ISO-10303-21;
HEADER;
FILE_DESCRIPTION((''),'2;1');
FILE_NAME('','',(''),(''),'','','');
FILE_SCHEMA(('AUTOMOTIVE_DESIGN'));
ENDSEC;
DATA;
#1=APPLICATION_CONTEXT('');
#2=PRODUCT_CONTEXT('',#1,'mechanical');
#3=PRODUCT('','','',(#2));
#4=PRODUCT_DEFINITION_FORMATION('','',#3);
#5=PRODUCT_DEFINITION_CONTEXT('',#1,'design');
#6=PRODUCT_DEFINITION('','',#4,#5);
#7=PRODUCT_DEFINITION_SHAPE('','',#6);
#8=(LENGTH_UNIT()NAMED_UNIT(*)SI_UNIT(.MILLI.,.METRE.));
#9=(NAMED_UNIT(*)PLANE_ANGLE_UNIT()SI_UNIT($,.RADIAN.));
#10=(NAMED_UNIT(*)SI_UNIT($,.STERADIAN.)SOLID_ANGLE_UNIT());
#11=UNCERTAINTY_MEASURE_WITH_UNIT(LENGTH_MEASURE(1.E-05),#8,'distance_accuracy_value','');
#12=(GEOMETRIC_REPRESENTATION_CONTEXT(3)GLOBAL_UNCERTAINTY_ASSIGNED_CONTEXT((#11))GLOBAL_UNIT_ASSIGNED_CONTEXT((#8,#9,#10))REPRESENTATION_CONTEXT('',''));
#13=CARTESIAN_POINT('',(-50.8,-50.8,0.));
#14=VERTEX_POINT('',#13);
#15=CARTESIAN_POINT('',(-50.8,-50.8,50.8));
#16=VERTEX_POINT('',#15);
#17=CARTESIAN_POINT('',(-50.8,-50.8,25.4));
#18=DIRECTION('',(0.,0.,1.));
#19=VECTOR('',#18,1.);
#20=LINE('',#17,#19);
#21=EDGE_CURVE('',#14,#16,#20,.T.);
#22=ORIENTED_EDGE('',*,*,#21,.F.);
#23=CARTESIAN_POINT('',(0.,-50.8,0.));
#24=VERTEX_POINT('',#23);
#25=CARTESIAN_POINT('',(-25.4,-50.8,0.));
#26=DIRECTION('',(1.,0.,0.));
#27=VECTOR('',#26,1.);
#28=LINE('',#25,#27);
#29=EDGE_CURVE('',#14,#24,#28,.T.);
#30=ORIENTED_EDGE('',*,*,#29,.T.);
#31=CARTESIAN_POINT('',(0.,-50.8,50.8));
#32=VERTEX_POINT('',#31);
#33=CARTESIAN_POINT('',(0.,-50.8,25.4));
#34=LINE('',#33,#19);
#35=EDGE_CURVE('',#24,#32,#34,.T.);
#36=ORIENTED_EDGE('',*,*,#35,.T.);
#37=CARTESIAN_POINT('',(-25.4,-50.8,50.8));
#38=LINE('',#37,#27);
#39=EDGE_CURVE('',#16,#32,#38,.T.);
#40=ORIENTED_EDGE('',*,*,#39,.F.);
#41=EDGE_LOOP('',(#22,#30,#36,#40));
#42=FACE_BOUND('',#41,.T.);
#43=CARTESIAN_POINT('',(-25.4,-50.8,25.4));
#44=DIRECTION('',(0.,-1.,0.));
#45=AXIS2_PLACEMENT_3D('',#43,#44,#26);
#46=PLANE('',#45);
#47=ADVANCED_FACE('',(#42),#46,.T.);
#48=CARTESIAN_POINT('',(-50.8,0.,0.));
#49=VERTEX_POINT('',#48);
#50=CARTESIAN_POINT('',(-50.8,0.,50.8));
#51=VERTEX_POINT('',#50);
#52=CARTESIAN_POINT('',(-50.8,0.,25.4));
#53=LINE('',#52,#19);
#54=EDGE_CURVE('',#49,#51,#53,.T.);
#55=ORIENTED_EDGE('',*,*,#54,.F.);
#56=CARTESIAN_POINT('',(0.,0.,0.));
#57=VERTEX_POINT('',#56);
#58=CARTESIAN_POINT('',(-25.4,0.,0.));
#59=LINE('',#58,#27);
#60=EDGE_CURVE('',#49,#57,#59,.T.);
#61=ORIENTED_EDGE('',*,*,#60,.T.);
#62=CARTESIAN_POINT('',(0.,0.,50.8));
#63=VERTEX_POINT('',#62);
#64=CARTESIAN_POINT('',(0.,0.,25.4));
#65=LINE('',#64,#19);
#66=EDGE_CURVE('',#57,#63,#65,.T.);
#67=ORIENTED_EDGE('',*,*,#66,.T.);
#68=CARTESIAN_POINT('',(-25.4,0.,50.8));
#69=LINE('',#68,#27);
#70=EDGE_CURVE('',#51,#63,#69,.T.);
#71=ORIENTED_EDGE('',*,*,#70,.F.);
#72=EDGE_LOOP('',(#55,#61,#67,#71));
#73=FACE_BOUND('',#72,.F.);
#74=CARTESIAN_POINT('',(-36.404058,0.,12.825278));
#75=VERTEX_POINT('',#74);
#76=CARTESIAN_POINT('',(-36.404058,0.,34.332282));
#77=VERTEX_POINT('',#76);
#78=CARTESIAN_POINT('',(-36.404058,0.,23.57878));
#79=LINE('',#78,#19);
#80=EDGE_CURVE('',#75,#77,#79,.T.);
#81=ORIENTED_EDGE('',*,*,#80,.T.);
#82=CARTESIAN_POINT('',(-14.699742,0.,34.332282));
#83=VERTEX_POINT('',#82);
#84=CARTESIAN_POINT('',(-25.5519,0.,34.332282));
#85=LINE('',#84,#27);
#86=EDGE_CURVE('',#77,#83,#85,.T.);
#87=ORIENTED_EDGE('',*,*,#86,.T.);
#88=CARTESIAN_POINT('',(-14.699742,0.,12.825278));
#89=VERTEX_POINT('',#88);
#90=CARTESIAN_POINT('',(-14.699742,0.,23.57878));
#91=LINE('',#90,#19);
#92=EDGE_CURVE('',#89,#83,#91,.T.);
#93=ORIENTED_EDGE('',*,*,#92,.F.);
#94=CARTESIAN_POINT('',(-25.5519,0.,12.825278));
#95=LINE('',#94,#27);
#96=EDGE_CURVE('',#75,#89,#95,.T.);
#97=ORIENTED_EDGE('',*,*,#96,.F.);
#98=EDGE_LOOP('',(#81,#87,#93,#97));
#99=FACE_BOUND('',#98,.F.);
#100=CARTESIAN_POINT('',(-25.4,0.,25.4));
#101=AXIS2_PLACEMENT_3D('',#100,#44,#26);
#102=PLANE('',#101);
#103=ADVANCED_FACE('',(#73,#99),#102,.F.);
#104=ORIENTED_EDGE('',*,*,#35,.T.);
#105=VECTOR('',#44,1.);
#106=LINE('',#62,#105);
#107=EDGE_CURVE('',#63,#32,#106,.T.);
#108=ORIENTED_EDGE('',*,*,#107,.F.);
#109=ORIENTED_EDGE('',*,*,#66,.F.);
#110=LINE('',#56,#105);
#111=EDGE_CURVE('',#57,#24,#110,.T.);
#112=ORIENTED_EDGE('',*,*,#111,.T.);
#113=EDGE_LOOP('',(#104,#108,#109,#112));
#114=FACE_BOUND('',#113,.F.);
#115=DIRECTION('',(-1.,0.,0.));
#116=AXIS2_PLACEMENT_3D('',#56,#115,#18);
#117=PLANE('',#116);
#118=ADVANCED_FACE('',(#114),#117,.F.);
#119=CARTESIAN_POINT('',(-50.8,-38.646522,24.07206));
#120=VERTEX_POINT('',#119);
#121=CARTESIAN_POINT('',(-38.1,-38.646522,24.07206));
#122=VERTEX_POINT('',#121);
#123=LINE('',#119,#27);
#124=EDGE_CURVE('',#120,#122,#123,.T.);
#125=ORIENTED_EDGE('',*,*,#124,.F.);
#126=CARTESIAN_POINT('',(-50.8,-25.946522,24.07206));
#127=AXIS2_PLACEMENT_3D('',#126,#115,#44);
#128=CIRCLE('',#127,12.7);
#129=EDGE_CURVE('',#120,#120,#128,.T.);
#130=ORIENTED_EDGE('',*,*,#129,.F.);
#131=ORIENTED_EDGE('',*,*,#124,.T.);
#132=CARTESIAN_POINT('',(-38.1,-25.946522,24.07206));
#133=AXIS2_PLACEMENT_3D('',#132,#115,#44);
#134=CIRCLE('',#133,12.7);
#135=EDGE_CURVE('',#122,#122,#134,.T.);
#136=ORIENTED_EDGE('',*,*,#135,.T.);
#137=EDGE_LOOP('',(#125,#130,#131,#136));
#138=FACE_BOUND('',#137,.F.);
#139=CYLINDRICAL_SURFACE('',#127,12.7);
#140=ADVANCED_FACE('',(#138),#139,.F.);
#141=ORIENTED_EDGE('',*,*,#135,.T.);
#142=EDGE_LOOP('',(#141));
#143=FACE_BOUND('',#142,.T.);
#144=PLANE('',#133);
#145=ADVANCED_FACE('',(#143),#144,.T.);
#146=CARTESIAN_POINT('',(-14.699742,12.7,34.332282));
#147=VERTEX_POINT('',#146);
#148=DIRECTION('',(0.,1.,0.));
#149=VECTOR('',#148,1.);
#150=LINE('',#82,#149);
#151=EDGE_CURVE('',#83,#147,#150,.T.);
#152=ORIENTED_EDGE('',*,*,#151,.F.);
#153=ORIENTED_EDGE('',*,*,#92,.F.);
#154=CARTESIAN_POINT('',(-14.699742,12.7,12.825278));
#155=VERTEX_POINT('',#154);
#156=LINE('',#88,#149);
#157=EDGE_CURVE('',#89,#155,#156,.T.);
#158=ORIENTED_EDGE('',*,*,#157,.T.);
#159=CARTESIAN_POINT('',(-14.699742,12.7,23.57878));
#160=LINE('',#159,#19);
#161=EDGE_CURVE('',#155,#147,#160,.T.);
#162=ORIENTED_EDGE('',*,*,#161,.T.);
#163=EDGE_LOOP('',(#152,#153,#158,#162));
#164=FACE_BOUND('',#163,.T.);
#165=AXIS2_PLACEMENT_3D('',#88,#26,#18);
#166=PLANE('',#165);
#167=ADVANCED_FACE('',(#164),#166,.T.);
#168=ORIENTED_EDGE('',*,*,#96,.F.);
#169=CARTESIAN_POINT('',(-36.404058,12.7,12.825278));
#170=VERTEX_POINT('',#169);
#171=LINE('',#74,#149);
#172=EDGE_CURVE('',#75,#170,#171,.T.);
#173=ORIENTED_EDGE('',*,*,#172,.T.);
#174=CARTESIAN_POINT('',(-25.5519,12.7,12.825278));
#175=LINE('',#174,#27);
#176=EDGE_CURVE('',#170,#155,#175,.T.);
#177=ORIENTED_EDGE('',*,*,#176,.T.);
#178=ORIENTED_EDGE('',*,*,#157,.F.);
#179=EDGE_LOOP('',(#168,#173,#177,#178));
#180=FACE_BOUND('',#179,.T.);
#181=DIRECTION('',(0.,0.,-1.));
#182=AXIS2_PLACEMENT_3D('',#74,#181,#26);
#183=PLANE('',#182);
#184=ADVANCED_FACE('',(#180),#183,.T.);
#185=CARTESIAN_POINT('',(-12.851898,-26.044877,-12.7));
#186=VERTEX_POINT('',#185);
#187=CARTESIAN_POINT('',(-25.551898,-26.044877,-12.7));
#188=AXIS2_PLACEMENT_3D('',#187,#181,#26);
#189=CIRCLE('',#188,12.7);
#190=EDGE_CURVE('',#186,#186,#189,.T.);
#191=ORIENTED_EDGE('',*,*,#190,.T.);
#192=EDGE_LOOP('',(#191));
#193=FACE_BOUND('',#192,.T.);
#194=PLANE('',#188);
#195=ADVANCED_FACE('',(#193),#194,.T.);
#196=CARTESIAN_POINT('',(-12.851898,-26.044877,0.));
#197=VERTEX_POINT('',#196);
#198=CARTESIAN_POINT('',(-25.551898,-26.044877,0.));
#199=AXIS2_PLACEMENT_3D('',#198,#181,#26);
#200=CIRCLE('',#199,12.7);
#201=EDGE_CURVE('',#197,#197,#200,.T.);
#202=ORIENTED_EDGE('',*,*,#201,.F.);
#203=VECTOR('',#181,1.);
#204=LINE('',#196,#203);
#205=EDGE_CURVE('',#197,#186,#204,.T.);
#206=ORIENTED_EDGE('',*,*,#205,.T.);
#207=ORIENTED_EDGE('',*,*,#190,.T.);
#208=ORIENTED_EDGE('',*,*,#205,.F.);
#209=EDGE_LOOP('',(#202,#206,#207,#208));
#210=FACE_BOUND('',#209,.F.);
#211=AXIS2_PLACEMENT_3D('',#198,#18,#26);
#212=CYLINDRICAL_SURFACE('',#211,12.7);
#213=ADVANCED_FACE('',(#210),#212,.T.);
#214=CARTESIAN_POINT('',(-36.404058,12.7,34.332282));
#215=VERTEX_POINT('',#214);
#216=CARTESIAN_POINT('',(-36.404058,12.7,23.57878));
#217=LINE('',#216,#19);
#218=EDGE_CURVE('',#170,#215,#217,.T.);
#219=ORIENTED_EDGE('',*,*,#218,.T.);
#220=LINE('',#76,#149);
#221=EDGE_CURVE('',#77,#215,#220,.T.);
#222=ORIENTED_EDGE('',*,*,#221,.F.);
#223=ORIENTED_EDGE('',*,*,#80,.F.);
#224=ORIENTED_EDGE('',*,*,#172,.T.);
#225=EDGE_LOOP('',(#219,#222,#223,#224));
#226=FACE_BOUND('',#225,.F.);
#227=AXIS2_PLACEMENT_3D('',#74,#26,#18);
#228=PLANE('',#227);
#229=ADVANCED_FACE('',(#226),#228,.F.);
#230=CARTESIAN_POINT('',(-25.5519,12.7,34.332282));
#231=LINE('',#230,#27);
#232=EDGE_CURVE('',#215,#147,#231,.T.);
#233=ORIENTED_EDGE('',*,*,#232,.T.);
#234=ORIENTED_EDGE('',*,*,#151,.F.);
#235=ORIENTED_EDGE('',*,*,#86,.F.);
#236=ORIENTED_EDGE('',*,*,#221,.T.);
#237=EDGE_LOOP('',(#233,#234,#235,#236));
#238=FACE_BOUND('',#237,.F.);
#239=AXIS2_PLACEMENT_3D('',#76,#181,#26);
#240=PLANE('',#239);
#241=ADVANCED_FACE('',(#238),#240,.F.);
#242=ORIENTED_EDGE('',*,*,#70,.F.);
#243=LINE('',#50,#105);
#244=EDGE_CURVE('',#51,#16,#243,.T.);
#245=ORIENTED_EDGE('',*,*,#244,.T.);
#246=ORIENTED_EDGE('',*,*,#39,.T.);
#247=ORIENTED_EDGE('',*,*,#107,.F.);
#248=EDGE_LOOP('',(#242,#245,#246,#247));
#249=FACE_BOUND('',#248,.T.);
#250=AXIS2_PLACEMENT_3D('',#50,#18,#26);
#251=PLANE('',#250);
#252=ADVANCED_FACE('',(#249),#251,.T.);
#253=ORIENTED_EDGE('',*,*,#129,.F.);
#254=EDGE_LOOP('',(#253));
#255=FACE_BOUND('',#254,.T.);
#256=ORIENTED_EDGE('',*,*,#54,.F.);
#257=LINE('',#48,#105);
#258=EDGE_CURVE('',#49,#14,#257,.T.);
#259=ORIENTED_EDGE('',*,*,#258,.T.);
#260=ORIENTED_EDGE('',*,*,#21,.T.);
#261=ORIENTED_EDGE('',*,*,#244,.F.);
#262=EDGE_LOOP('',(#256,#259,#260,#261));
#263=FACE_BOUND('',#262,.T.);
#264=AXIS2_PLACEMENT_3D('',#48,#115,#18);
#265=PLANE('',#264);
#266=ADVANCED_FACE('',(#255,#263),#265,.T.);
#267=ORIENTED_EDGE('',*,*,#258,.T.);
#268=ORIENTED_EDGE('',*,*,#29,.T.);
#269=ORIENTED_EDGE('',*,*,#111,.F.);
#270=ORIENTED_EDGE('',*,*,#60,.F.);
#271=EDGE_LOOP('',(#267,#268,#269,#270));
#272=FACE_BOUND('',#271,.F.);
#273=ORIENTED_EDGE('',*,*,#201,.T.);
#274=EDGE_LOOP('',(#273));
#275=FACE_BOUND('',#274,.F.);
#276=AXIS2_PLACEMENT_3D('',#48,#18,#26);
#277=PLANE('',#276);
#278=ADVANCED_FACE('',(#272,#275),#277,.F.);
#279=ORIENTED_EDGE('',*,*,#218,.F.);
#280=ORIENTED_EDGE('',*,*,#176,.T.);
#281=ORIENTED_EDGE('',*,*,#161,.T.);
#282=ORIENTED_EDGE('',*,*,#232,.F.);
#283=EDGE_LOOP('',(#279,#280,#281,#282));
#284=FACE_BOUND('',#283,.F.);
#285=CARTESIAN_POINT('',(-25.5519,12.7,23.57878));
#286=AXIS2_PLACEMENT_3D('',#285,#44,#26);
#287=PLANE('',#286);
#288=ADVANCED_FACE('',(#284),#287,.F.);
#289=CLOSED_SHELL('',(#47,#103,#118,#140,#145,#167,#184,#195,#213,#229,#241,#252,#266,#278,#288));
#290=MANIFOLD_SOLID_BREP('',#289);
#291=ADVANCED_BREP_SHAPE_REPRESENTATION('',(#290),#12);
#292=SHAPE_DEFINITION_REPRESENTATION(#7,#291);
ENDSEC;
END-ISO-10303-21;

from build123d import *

# Parameters (mm, degrees)
F0_W     = 50.8
F0_H     = 50.8
F1_DEPTH = 50.8
F2_W     = 21.704316
F2_H     = 21.507005
F3_DEPTH = 12.7
F4_R     = 12.7
F5_DEPTH = 12.7
F6_R     = 12.7
F7_DEPTH = 12.7


with BuildPart() as f1:
    # F0 (on Front) → F1 (new body)
    with BuildSketch(Plane.XZ):
        with Locations((-25.4, 25.4)):
            Rectangle(F0_W, F0_H)
    extrude(amount=F1_DEPTH)

    # F2 (on Front) → F3 (join)
    with BuildSketch(Plane.XZ):
        with Locations((-25.5519, 23.57878)):
            Rectangle(F2_W, F2_H)
    extrude(amount=-F3_DEPTH)

    # F4 (on face) → F5 (cut)
    with BuildSketch(Plane(origin=(-50.8, 0, 0), x_dir=(0, -1, 0), z_dir=(-1, 0, 0))):
        with Locations((25.946522, 24.07206)):
            Circle(F4_R)
    extrude(amount=-F5_DEPTH, mode=Mode.SUBTRACT)

    # F6 (on face) → F7 (join)
    with BuildSketch(Plane(origin=(0, 0, 0), x_dir=(1, 0, 0), z_dir=(0, 0, -1))):
        with Locations((-25.551898, 26.044877)):
            Circle(F6_R)
    extrude(amount=F7_DEPTH)


solid = f1.part
